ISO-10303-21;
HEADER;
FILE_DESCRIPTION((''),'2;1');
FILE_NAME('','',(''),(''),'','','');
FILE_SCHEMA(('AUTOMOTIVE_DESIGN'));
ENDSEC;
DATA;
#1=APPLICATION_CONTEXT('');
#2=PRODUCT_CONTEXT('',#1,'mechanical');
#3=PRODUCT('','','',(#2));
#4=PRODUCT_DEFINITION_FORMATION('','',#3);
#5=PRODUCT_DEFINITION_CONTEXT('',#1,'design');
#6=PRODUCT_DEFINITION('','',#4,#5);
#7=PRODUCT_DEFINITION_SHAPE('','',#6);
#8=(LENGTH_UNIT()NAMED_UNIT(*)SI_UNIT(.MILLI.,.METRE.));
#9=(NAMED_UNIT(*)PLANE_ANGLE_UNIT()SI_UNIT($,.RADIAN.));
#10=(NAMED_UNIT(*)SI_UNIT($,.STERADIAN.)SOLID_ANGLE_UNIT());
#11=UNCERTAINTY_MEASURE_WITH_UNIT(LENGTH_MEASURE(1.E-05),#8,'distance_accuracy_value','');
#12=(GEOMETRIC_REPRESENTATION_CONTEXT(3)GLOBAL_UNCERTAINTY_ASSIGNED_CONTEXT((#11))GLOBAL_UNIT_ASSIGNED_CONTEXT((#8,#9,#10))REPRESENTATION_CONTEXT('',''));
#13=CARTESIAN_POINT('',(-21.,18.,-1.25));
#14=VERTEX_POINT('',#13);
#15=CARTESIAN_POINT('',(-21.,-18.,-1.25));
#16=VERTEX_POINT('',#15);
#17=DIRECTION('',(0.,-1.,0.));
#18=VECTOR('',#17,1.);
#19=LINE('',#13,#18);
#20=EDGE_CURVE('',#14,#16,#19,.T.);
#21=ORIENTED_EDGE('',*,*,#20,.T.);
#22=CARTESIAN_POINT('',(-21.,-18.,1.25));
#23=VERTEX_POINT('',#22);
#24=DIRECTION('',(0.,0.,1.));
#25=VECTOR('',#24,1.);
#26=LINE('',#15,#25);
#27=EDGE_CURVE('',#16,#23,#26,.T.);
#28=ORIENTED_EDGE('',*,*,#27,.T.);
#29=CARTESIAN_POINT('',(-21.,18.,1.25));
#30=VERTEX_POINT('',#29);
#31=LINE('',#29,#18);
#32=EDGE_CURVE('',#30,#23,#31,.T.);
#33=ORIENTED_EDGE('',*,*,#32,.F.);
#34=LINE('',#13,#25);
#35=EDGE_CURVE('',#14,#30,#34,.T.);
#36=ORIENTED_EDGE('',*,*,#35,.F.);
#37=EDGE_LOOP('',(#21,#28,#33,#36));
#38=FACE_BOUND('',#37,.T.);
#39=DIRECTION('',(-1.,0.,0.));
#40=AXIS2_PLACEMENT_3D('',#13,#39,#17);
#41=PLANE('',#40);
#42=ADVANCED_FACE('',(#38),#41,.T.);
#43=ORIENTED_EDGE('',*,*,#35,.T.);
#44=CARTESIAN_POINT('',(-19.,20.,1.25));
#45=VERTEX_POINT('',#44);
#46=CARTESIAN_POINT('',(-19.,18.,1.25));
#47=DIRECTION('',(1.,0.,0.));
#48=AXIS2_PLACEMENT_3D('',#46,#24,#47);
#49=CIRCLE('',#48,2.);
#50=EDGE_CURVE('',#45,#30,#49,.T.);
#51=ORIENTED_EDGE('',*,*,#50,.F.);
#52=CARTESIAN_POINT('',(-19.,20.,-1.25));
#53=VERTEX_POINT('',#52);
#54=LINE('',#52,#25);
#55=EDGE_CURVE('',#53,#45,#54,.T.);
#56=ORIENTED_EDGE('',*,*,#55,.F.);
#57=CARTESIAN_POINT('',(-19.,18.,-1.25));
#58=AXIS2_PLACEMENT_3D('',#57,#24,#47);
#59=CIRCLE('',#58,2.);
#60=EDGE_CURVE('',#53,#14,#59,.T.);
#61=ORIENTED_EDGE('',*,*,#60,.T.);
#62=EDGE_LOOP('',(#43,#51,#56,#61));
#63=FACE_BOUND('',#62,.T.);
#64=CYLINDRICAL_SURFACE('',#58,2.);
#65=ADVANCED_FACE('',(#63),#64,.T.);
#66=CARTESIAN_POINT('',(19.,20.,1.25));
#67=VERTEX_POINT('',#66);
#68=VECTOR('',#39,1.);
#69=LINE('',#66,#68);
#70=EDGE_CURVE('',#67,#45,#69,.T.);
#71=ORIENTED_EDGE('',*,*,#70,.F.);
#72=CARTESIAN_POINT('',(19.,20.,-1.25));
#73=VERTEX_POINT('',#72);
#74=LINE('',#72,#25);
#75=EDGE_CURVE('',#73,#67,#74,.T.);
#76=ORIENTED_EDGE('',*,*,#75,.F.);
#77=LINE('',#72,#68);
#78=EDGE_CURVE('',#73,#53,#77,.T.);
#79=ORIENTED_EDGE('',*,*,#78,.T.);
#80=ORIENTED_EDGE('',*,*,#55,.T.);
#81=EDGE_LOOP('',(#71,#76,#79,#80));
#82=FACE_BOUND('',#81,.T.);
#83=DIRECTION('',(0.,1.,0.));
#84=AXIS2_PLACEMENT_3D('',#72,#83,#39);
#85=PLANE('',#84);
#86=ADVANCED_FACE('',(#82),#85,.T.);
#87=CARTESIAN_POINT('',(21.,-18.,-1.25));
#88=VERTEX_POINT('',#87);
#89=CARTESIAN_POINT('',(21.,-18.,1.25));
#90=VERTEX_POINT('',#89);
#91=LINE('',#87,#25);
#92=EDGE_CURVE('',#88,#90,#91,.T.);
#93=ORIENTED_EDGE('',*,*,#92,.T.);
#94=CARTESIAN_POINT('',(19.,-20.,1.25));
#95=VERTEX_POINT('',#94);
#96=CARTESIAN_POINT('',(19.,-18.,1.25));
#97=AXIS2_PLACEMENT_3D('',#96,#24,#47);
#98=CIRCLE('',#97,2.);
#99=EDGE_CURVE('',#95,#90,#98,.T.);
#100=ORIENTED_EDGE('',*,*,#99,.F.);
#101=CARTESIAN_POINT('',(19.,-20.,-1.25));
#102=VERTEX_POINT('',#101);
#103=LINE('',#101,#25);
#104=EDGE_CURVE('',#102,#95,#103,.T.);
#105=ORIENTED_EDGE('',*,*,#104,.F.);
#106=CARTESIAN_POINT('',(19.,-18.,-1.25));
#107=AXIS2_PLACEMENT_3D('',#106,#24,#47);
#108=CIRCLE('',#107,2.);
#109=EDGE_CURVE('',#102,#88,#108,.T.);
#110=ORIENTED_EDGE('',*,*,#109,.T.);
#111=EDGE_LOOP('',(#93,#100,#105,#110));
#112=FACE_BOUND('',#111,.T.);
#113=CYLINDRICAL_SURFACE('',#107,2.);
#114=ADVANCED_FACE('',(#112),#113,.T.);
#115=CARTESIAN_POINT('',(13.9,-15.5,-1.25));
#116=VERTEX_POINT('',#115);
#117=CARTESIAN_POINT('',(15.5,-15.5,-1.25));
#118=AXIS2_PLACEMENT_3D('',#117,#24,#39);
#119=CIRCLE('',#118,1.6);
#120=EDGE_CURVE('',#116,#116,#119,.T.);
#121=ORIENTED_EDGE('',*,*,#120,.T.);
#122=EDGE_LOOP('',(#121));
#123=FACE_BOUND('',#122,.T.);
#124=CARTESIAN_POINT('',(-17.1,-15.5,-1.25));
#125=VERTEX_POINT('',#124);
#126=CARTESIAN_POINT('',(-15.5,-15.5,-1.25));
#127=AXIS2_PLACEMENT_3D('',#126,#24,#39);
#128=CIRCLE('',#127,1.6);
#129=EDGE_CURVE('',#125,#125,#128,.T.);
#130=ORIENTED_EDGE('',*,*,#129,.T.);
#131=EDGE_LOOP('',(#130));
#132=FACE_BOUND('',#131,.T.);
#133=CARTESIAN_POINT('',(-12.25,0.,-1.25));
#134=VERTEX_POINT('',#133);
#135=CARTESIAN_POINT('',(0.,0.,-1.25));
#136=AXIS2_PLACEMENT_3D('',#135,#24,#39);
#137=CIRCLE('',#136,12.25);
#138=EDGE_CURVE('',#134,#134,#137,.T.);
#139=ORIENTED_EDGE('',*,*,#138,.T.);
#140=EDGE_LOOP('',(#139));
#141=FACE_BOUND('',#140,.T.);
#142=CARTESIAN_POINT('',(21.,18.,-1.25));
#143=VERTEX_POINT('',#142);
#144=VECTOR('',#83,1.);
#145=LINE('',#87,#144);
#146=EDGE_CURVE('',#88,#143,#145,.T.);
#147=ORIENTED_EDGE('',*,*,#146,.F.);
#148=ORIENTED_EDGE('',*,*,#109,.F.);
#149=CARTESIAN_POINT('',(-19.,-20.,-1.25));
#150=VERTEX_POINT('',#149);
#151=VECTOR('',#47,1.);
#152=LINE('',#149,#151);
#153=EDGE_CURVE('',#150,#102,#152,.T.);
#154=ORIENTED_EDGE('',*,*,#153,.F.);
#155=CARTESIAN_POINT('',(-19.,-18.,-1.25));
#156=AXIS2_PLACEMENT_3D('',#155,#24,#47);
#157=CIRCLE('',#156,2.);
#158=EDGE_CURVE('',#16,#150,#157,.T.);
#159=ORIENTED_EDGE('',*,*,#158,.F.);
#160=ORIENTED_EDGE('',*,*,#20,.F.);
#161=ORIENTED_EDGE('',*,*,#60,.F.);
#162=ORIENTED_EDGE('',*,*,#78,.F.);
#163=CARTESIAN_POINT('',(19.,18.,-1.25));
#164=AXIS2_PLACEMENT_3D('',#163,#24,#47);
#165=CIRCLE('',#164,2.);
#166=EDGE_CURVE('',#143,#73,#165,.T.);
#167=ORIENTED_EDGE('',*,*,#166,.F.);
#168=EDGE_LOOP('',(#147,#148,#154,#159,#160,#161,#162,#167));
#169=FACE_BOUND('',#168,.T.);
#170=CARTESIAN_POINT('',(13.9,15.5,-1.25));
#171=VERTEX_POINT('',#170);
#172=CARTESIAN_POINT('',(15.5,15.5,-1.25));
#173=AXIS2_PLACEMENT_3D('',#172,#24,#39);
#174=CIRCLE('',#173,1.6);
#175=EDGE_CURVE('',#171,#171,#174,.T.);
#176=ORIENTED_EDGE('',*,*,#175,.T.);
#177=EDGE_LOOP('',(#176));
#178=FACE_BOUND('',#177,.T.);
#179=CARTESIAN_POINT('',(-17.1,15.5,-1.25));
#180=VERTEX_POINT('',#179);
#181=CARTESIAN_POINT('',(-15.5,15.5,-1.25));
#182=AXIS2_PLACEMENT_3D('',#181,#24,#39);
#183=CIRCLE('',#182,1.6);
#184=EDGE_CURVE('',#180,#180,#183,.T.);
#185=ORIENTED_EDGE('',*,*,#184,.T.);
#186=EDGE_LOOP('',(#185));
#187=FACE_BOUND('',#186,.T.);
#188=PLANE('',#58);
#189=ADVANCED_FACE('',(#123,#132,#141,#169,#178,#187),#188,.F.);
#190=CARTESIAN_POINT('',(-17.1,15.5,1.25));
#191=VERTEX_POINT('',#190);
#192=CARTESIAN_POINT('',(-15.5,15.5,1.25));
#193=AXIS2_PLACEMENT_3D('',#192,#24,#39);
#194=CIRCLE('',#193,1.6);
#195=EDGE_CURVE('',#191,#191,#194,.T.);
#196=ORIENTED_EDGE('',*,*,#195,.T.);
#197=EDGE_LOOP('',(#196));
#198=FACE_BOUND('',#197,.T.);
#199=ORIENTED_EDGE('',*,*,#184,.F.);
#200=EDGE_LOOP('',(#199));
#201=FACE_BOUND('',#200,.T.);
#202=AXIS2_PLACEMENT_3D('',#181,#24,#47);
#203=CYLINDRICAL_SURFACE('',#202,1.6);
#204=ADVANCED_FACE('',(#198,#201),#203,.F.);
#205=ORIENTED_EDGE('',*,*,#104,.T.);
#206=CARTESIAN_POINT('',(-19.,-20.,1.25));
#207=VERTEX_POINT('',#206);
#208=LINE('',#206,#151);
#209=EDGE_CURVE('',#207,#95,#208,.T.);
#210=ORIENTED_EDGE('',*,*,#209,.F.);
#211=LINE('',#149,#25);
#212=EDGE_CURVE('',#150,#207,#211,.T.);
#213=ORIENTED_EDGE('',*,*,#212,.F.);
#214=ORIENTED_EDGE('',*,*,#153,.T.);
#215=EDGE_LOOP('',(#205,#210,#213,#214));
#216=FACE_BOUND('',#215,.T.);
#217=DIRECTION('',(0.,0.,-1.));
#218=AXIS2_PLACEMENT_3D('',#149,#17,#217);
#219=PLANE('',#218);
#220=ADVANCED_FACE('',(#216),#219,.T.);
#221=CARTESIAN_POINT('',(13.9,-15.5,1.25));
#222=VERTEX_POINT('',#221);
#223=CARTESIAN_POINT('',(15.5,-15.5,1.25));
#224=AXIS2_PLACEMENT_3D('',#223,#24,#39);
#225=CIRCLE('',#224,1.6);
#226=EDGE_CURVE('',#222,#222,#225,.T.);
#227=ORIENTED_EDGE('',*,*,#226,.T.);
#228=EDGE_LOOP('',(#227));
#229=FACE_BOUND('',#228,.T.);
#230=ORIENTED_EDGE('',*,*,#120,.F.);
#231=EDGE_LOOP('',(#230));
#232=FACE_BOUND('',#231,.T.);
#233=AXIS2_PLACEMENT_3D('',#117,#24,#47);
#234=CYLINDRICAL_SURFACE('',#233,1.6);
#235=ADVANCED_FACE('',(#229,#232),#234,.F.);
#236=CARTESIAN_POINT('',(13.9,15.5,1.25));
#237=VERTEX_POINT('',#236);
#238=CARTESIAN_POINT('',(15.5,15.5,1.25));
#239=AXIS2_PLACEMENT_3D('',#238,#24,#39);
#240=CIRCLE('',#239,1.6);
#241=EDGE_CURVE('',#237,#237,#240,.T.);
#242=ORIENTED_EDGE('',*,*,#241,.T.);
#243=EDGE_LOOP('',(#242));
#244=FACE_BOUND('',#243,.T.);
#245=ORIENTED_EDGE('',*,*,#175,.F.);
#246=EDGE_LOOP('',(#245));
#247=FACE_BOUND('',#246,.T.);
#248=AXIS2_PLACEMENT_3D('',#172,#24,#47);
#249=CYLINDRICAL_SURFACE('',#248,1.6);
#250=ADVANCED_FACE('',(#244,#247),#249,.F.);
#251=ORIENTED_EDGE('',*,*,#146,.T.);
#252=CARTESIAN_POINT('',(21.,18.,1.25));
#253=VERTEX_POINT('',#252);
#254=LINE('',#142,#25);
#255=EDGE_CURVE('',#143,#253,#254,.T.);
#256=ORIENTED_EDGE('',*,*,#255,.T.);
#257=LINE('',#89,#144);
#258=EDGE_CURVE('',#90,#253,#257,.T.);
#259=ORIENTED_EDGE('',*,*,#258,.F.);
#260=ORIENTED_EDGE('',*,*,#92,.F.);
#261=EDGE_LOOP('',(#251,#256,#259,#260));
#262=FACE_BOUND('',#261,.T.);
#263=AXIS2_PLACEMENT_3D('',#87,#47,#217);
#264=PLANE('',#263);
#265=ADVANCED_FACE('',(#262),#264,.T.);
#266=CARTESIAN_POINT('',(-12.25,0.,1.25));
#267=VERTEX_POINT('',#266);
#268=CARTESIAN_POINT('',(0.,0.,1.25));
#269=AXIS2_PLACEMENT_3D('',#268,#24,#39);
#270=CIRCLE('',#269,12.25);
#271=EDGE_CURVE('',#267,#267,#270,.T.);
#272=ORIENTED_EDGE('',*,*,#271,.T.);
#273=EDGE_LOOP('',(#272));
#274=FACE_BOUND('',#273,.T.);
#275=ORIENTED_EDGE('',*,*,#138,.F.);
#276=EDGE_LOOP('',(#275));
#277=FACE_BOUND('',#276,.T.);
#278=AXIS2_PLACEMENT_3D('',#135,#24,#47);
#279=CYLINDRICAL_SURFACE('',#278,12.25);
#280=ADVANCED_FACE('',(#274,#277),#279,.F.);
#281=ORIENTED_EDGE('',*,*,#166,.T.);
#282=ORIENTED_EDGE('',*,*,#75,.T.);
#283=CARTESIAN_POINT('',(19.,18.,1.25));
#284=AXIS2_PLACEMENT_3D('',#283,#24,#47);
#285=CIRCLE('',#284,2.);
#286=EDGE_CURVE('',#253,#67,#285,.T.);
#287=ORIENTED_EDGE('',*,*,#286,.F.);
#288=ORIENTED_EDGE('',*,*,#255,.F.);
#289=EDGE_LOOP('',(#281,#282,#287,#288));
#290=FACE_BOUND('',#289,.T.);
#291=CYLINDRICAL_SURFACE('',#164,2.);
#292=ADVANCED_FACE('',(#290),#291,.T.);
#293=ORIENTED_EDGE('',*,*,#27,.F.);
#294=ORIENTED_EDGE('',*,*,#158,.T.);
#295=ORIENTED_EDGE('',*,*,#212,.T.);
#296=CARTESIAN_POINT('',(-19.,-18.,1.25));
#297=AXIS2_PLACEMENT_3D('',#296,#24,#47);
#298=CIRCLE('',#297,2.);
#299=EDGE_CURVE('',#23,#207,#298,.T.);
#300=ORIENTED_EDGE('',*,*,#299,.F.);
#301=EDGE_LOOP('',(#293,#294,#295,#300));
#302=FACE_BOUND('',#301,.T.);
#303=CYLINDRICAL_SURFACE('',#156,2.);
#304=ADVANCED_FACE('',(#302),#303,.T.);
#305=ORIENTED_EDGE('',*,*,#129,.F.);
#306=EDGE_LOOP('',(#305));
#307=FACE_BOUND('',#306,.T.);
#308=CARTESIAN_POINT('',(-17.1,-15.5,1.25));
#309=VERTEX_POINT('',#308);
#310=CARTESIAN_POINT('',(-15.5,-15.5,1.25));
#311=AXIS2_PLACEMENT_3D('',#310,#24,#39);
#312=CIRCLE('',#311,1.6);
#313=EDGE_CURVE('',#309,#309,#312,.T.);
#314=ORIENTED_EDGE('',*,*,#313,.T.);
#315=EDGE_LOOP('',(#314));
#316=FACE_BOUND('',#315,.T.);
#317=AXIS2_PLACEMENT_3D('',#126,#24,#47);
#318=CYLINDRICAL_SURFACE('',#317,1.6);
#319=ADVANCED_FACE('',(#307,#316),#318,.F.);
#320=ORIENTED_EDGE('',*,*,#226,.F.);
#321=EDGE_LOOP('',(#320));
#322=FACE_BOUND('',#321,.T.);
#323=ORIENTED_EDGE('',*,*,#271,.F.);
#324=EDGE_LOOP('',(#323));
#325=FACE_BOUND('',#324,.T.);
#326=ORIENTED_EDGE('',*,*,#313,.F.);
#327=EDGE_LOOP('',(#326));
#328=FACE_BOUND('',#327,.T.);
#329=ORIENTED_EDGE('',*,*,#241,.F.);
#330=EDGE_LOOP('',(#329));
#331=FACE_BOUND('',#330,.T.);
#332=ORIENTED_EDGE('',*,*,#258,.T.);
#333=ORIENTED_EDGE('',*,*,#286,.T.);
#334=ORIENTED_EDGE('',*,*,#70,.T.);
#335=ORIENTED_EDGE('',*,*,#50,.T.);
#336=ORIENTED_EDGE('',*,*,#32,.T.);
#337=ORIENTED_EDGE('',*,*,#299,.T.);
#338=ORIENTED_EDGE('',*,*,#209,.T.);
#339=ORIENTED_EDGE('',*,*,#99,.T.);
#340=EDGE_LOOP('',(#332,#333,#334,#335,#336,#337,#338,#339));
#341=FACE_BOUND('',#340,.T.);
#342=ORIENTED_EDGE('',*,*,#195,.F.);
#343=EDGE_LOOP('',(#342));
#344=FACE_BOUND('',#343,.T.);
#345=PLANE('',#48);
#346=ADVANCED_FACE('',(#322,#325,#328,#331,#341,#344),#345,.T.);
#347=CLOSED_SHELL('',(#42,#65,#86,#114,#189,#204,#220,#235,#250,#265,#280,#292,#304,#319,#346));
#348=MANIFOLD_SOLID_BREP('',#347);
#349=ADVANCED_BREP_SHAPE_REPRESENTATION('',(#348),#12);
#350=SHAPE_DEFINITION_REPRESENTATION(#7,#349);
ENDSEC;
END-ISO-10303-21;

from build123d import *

# Parameters (mm, degrees)
SKETCH1_R           = 1.6
SKETCH1_R_2         = 12.25
BOSS_EXTRUDE1_DEPTH = 2.5


with BuildPart() as part:
    # Sketch1 → Boss-Extrude1 (new body)
    with BuildSketch(Plane.XY.offset(1.25)):
        with BuildLine():
            Line((-21, 18), (-21, -18))
            ThreePointArc((-21, -18), (-20.414213562, -19.414213562), (-19, -20))
            Line((-19, -20), (19, -20))
            ThreePointArc((19, -20), (20.414213562, -19.414213562), (21, -18))
            Line((21, -18), (21, 18))
            ThreePointArc((21, 18), (20.414213562, 19.414213562), (19, 20))
            Line((19, 20), (-19, 20))
            ThreePointArc((-19, 20), (-20.414213562, 19.414213562), (-21, 18))
        make_face()
        with Locations(Location((-15.5, 15.5, 0), (0, 0, 180))):
            Circle(SKETCH1_R, mode=Mode.SUBTRACT)
        with Locations(Location((15.5, -15.5, 0), (0, 0, 180))):
            Circle(SKETCH1_R, mode=Mode.SUBTRACT)
        with Locations(Location((0, 0, 0), (0, 0, 180))):
            Circle(SKETCH1_R_2, mode=Mode.SUBTRACT)
        with Locations(Location((-15.5, -15.5, 0), (0, 0, 180))):
            Circle(SKETCH1_R, mode=Mode.SUBTRACT)
        with Locations(Location((15.5, 15.5, 0), (0, 0, 180))):
            Circle(SKETCH1_R, mode=Mode.SUBTRACT)
    extrude(amount=-BOSS_EXTRUDE1_DEPTH)


solid = part.part
